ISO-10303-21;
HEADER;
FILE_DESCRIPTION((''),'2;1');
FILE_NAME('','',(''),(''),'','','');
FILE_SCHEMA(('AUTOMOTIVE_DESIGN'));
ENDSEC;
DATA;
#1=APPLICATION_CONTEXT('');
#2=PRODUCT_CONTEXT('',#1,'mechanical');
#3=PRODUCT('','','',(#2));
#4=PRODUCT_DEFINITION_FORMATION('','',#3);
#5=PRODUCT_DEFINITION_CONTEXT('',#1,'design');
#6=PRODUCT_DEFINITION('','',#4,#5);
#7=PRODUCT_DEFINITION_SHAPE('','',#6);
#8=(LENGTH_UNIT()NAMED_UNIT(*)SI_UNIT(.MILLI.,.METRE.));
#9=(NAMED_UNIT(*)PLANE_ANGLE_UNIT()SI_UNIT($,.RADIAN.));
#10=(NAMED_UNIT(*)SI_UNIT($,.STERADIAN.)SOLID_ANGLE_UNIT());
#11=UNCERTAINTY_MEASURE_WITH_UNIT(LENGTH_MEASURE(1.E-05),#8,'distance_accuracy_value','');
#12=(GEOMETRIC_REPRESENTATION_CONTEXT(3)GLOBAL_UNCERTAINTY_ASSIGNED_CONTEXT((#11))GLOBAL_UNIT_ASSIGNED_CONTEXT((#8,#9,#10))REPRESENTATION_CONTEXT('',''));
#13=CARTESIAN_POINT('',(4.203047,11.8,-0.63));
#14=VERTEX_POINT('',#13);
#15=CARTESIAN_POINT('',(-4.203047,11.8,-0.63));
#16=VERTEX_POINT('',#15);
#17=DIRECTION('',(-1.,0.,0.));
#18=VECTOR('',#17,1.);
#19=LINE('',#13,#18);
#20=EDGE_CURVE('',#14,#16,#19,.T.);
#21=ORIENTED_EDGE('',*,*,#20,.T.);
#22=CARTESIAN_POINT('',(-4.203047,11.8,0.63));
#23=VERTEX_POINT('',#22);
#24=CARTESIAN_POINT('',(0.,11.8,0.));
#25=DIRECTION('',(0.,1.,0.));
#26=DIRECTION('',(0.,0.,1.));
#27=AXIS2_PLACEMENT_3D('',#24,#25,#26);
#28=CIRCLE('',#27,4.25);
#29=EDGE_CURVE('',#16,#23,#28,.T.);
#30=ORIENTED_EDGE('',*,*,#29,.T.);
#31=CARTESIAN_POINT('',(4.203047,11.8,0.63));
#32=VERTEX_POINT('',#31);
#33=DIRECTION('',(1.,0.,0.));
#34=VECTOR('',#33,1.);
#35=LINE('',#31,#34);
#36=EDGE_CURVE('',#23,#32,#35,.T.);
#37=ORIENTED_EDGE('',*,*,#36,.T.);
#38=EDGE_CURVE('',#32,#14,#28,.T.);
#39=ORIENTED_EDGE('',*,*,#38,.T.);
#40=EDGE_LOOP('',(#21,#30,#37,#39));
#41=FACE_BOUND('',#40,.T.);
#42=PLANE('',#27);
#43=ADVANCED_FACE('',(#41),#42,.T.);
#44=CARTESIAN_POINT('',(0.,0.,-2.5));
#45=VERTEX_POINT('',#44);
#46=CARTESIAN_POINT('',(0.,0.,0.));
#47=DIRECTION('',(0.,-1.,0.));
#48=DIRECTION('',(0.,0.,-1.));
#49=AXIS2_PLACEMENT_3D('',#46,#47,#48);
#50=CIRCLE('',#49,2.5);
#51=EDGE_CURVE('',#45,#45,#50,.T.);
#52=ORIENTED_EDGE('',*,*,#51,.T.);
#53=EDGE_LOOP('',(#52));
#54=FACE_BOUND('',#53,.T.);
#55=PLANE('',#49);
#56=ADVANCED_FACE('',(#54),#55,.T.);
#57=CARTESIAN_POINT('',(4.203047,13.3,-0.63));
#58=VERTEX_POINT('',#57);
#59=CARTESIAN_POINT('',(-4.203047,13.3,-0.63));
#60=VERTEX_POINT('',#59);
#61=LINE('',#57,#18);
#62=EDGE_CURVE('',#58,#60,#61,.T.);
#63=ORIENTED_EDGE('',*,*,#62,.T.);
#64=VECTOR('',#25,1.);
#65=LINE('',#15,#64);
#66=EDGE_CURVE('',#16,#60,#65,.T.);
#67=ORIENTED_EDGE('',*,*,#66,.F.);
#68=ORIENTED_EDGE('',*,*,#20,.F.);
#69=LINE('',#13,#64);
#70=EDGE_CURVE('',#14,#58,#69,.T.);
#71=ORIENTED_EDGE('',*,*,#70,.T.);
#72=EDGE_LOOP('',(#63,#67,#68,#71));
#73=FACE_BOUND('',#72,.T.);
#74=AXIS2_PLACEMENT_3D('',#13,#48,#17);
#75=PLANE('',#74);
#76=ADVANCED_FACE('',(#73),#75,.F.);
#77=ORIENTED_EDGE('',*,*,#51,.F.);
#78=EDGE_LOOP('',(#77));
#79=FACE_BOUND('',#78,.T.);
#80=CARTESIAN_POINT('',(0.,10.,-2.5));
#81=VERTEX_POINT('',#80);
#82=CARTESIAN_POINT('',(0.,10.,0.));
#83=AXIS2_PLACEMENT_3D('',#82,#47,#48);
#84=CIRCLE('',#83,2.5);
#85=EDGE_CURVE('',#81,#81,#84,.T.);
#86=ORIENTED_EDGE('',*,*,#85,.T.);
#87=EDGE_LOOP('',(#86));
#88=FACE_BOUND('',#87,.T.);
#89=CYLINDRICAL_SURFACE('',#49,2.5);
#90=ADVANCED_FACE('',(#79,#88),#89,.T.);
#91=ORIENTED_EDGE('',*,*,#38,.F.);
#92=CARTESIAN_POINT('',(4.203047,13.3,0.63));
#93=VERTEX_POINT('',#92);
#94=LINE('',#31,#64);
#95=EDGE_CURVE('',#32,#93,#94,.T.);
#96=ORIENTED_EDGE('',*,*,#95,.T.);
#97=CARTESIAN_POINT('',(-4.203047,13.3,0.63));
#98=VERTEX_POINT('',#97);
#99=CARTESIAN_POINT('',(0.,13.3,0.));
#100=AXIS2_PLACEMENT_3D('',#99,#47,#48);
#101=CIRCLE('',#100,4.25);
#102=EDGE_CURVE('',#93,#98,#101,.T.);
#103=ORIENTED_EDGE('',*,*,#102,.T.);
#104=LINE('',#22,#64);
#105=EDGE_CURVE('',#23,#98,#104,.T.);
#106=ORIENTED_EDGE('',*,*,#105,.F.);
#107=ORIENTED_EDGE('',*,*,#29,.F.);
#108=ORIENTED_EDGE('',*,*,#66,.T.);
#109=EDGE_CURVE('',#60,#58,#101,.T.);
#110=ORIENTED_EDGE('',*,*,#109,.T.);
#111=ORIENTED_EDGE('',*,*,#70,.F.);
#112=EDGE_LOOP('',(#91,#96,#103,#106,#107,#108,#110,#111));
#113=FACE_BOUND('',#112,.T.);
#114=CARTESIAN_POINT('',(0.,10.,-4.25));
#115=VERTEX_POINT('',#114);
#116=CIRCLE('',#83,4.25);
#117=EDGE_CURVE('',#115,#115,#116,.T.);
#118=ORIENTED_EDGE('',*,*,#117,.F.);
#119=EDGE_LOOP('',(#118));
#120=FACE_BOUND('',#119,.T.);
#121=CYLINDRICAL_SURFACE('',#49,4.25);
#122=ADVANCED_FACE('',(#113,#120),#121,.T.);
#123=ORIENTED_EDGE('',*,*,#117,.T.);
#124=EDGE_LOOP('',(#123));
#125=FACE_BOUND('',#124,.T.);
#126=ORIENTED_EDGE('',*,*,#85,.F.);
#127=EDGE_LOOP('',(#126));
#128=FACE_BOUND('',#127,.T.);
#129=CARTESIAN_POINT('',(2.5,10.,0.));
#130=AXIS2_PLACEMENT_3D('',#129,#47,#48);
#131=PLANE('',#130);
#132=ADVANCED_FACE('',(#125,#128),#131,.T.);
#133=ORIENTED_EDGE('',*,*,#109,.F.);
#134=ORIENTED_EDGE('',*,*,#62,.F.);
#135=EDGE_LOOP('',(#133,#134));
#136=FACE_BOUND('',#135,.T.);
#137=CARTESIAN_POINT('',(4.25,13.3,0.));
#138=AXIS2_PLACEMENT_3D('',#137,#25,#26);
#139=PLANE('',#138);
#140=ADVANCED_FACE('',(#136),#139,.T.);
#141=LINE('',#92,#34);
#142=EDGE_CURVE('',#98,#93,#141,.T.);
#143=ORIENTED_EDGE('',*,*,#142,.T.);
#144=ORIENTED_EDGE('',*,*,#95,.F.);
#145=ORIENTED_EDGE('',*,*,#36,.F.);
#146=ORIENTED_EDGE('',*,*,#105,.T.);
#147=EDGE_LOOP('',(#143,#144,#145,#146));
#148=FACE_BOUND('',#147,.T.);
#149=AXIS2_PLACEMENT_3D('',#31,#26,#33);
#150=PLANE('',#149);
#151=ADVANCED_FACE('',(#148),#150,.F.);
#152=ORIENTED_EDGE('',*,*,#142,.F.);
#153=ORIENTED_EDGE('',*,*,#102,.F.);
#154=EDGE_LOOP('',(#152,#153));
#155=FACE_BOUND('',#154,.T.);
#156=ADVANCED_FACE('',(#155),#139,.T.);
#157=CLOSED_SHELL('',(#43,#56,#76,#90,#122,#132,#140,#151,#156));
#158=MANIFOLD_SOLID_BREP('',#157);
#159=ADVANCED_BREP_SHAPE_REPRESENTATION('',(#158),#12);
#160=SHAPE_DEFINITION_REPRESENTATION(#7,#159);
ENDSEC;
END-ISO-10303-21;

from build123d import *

# Parameters (mm, degrees)
CUT_EXTRUDE_1_DEPTH = 1.5


with BuildPart() as part:
    # Эскиз1 → Revolve 256 (revolve)
    with BuildSketch(Plane.XY, mode=Mode.PRIVATE) as revolve_256_sk:
        Polygon((0, 0), (2.5, 0), (2.5, 10), (4.25, 10), (4.25, 13.3), (0, 13.3), align=None)
    revolve(revolve_256_sk.sketch.rotate(Axis((0, 0, 0), (0, 1, 0)), 90), axis=Axis((0, 0, 0), (0, 1, 0)))

    # Эскиз2 → Вырез-Вытянуть1 (cut)
    with BuildSketch(Plane(origin=(0, 13.3, 0), x_dir=(-1, 0, 0), z_dir=(0, 1, 0))):
        with BuildLine():
            Line((-4.203046514, -0.63), (4.203046514, -0.63))
            ThreePointArc((4.203046514, -0.63), (4.25, 0), (4.203046514, 0.63))
            Line((4.203046514, 0.63), (-4.203046514, 0.63))
            ThreePointArc((-4.203046514, 0.63), (-4.25, 0), (-4.203046514, -0.63))
        make_face()
    extrude(amount=-CUT_EXTRUDE_1_DEPTH, mode=Mode.SUBTRACT)


solid = part.part
